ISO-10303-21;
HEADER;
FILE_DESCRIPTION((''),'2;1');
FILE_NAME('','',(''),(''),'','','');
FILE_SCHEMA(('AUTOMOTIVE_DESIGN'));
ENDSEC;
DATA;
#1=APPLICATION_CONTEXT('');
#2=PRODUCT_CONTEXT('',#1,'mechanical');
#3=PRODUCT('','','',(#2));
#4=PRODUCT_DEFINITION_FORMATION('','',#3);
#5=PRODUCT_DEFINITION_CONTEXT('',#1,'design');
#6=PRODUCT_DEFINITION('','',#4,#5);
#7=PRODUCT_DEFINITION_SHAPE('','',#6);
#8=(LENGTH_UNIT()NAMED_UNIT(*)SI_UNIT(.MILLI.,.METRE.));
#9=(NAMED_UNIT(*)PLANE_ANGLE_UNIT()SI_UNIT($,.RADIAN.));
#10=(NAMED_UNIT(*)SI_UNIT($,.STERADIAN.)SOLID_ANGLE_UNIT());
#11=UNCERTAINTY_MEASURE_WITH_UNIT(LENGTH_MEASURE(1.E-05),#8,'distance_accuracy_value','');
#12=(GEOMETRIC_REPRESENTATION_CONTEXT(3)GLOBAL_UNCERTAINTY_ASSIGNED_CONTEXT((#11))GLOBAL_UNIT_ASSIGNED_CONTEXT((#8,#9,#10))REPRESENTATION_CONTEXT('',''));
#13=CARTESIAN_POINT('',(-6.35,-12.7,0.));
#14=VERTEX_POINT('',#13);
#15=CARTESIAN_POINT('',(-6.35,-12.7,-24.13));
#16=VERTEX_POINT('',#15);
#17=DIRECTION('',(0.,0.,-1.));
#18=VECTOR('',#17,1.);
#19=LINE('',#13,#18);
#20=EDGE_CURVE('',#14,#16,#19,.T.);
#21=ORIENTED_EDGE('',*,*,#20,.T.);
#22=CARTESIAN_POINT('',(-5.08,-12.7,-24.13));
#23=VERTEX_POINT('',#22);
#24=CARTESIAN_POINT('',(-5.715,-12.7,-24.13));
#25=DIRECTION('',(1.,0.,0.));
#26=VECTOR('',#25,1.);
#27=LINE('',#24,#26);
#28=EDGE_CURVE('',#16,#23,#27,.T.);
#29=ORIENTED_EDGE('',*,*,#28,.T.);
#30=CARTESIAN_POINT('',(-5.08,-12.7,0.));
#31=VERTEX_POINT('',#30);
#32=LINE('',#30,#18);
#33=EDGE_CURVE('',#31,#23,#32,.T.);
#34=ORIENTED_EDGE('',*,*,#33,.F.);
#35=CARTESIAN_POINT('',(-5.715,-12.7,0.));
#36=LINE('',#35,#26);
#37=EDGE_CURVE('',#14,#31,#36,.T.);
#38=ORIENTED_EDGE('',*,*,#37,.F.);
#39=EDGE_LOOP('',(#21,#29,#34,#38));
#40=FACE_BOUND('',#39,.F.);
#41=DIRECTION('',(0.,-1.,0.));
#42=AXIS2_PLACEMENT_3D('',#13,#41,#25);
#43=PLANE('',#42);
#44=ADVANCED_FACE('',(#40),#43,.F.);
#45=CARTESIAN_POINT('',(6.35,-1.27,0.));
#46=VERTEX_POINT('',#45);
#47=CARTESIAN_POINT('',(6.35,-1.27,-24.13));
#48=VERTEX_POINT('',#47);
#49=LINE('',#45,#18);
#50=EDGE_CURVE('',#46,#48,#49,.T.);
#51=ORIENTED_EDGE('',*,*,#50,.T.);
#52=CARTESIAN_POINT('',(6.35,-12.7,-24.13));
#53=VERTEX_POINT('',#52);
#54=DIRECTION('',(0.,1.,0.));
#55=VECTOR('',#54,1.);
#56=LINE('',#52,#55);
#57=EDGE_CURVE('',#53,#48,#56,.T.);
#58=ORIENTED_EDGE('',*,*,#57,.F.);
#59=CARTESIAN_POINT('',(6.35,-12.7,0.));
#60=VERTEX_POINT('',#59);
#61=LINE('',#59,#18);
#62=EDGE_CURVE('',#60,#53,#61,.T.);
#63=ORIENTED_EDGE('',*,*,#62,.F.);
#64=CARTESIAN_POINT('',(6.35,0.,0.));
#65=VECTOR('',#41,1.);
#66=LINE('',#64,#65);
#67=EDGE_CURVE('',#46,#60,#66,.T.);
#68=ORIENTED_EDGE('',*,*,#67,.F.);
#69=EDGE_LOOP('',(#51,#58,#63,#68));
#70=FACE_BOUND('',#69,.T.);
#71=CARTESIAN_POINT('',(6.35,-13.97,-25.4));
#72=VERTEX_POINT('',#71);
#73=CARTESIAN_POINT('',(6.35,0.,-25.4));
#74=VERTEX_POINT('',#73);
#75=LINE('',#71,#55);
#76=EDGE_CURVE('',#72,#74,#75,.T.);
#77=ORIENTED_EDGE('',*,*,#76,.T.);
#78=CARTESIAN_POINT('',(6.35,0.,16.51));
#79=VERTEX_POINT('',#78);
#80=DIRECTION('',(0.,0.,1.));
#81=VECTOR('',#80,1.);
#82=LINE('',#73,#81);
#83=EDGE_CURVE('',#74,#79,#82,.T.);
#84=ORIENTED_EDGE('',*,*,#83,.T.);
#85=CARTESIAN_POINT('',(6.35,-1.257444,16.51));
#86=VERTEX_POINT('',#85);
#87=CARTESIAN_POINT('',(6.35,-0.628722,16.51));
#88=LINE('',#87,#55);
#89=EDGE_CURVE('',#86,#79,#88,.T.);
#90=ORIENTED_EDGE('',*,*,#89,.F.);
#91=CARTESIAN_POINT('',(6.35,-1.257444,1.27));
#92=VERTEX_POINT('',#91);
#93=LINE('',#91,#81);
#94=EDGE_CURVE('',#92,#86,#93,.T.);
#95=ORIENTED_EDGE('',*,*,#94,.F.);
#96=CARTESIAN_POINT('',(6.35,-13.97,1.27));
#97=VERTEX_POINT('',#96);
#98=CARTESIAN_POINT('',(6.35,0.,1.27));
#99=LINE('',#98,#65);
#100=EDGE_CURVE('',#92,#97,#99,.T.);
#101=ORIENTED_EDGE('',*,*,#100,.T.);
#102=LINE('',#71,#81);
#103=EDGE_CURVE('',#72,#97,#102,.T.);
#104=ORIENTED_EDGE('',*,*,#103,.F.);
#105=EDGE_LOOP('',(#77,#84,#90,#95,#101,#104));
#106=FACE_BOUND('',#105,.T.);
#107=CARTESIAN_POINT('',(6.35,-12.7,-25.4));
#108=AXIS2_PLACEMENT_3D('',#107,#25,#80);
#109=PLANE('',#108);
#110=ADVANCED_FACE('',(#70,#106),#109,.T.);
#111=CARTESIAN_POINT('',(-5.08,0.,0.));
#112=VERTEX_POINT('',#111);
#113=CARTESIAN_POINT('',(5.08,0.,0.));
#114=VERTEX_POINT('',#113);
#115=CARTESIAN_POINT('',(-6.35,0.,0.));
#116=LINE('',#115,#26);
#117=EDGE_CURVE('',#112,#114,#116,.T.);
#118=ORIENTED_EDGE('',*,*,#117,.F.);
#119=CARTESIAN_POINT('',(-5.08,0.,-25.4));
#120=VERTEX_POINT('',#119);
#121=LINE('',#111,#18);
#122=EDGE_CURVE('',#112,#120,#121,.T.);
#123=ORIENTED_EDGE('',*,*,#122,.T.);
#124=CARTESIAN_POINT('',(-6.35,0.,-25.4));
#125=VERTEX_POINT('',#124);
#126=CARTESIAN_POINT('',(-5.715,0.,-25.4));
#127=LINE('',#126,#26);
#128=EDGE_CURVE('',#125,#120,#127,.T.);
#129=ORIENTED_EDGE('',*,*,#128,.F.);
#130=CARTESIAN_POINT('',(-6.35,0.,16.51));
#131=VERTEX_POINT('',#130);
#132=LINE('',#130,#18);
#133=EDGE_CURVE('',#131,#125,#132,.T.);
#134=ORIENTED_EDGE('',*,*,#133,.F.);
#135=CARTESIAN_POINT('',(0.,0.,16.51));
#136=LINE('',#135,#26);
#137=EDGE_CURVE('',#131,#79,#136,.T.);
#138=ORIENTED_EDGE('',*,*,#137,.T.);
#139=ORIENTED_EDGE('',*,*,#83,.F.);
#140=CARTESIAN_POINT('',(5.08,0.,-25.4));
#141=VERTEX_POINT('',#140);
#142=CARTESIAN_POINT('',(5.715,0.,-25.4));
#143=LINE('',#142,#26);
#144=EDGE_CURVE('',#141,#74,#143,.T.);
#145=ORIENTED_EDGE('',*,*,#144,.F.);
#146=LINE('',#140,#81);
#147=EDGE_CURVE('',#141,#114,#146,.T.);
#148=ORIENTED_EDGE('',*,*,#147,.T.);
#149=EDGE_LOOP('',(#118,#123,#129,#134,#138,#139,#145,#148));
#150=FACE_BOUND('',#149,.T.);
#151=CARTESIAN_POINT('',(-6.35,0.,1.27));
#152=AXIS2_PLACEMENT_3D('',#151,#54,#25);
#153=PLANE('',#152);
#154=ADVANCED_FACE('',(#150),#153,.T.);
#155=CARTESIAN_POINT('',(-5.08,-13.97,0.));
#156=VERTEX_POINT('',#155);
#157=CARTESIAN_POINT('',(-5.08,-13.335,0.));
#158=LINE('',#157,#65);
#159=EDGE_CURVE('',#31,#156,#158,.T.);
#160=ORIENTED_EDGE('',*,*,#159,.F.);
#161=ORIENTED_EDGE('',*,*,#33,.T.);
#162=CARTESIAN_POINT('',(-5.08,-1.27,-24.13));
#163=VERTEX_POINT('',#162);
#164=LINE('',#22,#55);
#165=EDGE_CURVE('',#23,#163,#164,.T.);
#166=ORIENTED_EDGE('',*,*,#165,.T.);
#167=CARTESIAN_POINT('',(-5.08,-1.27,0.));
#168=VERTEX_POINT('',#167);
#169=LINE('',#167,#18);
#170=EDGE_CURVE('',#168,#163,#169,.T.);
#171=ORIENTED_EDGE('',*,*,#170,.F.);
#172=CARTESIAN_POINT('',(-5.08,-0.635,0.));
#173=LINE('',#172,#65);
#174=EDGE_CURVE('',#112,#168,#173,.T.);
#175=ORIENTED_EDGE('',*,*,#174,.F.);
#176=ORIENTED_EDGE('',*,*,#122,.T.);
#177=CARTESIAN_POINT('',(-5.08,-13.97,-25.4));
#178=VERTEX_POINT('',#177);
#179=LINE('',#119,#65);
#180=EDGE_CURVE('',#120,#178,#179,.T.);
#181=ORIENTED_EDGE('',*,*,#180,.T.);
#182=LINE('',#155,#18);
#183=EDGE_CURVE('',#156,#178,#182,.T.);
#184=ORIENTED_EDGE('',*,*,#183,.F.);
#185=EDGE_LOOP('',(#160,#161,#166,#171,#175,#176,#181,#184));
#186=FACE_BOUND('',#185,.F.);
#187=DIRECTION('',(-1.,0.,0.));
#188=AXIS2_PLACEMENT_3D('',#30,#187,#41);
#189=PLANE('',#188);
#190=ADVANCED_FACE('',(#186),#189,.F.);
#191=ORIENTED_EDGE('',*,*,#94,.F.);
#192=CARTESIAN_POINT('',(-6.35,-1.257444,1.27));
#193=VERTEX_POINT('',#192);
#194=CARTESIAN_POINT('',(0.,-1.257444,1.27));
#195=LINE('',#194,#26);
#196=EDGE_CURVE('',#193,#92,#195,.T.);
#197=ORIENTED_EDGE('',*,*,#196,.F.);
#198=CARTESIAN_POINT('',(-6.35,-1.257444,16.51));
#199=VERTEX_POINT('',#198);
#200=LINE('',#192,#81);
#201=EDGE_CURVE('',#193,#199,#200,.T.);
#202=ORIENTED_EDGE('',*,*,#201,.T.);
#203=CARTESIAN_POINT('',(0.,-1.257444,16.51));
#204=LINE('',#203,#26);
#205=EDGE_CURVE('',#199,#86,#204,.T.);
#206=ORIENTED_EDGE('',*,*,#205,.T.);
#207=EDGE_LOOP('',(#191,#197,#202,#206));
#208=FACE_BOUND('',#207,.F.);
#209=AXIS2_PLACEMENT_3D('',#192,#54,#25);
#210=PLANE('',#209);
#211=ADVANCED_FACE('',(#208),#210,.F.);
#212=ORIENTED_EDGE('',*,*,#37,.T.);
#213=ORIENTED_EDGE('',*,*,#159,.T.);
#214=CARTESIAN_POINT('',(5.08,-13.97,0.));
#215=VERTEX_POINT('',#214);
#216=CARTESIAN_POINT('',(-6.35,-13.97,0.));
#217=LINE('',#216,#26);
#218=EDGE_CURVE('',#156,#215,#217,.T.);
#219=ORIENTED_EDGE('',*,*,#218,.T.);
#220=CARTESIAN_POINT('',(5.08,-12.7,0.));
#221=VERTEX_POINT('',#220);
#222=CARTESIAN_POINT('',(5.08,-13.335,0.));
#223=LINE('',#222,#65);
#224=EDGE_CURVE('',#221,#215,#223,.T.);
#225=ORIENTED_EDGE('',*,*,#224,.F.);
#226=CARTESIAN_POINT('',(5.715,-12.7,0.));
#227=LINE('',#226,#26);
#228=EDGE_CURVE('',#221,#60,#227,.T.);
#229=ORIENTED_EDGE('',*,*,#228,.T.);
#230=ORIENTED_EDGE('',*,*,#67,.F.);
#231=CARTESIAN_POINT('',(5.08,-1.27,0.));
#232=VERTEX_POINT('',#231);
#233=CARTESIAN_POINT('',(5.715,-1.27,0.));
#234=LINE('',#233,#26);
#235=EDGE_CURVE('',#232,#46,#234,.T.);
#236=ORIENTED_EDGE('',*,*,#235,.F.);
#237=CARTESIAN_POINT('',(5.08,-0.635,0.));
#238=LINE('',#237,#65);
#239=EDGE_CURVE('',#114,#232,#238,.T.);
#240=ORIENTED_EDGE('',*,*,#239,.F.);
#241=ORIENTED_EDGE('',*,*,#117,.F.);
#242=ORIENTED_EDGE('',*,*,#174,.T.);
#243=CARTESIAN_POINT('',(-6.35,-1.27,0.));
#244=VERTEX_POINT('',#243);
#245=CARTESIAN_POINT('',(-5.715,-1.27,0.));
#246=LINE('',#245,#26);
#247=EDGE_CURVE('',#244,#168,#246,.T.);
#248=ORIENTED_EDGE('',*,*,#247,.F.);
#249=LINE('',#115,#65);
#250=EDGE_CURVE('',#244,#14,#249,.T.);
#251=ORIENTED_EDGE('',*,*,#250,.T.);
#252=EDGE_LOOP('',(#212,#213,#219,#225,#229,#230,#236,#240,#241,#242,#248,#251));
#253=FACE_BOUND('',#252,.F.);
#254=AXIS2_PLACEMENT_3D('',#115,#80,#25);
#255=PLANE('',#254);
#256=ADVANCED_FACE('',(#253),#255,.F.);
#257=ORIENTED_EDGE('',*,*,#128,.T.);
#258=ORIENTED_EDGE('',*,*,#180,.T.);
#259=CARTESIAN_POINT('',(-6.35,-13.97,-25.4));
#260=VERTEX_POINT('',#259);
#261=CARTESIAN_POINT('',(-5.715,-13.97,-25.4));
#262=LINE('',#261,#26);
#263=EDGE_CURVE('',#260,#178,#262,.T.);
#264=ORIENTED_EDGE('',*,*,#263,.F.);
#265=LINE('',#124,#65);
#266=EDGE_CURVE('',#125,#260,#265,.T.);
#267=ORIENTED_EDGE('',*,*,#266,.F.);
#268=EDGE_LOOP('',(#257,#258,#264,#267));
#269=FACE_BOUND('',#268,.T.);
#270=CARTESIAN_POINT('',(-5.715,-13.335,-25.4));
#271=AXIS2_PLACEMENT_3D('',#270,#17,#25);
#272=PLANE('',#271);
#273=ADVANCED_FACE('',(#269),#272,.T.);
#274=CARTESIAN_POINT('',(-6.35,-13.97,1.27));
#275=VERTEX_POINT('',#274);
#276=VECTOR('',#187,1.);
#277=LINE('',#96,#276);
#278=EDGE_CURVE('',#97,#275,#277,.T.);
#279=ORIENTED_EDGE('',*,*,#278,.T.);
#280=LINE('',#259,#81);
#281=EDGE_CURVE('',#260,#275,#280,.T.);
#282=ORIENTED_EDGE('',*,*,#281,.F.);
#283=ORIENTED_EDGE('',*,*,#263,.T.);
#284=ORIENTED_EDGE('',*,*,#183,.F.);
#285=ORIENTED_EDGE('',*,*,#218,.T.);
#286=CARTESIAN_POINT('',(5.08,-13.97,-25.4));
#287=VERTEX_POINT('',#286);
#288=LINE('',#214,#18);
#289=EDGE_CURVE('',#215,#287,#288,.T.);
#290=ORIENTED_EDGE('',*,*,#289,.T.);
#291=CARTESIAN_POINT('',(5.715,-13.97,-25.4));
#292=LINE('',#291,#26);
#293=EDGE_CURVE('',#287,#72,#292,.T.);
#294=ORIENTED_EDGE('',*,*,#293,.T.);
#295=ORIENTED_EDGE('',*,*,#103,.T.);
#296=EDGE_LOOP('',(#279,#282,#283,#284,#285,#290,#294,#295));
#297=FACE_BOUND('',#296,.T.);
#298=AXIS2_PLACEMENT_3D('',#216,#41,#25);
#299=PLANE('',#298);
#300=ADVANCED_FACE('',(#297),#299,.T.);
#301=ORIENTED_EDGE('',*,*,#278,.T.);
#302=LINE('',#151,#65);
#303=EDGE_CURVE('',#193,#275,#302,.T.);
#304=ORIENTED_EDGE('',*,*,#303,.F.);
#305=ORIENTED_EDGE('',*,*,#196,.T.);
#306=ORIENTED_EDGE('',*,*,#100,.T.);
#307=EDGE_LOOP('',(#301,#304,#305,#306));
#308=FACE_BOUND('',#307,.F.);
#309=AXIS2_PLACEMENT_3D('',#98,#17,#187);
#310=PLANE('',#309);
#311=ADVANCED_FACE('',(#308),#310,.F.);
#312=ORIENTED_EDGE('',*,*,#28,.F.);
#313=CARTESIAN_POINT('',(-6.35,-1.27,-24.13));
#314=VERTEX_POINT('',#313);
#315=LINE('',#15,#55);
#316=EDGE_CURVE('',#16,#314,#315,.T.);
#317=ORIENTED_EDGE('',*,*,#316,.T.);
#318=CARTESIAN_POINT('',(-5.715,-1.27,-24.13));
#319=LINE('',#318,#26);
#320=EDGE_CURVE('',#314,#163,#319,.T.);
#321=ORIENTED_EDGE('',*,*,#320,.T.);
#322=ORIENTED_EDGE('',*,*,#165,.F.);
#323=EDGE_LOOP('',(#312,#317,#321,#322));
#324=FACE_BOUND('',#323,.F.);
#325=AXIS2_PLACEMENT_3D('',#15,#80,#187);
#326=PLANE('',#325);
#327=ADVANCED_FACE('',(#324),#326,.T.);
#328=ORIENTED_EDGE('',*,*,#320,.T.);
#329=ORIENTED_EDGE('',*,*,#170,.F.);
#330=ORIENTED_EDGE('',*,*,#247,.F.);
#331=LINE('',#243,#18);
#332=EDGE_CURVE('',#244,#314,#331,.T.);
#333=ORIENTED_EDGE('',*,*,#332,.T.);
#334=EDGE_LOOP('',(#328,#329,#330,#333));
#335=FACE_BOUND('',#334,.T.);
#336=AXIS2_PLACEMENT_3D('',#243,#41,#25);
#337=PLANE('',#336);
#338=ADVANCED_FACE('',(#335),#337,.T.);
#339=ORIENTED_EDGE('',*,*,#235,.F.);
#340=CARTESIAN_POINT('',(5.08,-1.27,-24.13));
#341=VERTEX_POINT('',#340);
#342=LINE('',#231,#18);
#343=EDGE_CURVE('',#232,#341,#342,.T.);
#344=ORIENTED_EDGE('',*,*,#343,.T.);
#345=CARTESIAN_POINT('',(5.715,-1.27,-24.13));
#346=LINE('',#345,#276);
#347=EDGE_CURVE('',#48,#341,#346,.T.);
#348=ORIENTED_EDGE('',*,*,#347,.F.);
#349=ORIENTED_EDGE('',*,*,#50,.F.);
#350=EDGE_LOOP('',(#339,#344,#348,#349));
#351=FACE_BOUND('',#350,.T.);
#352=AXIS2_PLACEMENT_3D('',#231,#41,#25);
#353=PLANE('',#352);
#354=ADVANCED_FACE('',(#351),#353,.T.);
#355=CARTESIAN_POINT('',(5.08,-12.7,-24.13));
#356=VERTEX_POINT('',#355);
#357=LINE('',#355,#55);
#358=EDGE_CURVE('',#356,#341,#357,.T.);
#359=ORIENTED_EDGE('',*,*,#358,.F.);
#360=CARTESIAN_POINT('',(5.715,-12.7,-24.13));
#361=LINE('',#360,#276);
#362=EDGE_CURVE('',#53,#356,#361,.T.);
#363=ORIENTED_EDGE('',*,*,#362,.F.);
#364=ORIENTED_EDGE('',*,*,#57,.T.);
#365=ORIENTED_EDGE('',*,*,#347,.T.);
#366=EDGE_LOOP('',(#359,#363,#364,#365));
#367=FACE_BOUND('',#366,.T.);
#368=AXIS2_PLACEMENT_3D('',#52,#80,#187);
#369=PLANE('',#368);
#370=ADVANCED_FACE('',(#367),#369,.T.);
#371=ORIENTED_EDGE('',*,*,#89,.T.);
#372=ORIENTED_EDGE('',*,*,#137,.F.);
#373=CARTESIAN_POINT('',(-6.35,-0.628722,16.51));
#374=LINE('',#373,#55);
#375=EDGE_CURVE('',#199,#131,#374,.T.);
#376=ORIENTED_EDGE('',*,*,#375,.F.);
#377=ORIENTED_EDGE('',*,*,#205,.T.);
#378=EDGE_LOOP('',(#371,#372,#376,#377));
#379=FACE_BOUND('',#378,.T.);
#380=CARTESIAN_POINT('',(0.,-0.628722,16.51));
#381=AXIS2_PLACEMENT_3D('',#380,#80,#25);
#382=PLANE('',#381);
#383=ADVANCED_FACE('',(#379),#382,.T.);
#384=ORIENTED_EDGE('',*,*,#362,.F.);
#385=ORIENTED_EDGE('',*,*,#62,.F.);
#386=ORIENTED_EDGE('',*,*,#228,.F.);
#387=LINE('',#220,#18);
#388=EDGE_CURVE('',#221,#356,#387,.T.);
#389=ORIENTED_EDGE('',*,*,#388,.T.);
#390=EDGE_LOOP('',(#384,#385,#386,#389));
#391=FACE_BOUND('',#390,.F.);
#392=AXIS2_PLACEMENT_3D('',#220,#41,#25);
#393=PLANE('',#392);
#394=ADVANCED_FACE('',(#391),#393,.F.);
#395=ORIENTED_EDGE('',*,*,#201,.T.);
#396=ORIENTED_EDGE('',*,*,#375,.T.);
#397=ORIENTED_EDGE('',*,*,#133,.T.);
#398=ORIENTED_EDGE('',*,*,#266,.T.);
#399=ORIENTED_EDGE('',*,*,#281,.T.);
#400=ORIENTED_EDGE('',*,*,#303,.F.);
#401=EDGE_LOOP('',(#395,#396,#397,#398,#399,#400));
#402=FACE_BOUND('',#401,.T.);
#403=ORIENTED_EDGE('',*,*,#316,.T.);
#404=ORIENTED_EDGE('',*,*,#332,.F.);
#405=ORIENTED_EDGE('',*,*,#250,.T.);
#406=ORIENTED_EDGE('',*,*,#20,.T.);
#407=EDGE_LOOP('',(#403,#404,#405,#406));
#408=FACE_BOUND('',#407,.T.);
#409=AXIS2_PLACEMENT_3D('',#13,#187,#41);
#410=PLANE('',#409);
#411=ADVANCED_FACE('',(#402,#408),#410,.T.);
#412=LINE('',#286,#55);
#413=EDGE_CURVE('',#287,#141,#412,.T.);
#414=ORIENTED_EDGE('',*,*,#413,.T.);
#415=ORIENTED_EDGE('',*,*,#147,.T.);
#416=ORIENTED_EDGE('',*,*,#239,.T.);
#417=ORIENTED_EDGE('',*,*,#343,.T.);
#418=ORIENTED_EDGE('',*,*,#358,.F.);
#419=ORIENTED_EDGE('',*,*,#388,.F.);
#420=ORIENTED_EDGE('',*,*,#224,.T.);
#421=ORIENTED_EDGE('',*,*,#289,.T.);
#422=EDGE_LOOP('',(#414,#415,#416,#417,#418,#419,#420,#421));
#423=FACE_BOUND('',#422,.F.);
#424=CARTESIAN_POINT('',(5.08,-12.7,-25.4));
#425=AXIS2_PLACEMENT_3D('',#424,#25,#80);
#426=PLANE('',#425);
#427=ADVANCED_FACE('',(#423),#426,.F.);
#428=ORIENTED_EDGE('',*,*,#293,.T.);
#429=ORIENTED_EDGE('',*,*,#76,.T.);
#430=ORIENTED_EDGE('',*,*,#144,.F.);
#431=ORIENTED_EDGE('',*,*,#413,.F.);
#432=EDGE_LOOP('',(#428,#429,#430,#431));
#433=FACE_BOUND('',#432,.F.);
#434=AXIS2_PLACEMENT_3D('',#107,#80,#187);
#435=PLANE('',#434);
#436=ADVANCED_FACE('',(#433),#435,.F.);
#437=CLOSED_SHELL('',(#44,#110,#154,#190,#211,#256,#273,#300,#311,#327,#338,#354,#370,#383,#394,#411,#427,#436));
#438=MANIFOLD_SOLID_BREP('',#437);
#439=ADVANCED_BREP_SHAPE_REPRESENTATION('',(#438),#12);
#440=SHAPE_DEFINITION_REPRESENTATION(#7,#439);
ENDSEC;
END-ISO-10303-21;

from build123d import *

# Parameters (mm, degrees)
F1_DEPTH = 13.97
F2_W     = 12.7
F2_H     = 1.257444
F3_DEPTH = 15.24
F4_W     = 1.27
F4_H     = 1.27
F5_DEPTH = 25.4
F6_W     = 1.27
F6_H     = 1.27
F7_DEPTH = 12.7


with BuildPart() as f1:
    # F0 (on Front) → F1 (new body)
    with BuildSketch(Plane.XZ):
        Polygon((-6.35, 0), (0, 0), (6.35, 0), (6.35, 1.27), (0, 1.27), (-6.35, 1.27), align=None)
    extrude(amount=F1_DEPTH)

    # F2 (on face) → F3 (join)
    with BuildSketch(Plane.XY.offset(1.27)):
        with Locations((0, -0.628722)):
            Rectangle(F2_W, F2_H)
    extrude(amount=F3_DEPTH)

    # F4 (on face) → F5 (join)
    with BuildSketch(Plane(origin=(0, 0, 0), x_dir=(1, 0, 0), z_dir=(0, 0, -1))):
        with Locations((-5.715, 13.335)):
            Rectangle(F4_W, F4_H)
        with Locations((-5.715, 0.635)):
            Rectangle(F4_W, F4_H)
        with Locations((5.715, 0.635)):
            Rectangle(F4_W, F4_H)
        with Locations((5.715, 13.335)):
            Rectangle(F4_W, F4_H)
    extrude(amount=F5_DEPTH)

    # F6 (on face) → F7 (join)
    with BuildSketch(Plane(origin=(0, -12.7, 0), x_dir=(-1, 0, 0), z_dir=(0, 1, 0))):
        with Locations((-5.715, -24.765)):
            Rectangle(F6_W, F6_H)
    extrude(amount=F7_DEPTH)

    # F8: F1 across plane


with BuildPart() as f1_1:
    add(f1.part)
    add(f1.part.mirror(Plane.YZ))


solid = f1_1.part
